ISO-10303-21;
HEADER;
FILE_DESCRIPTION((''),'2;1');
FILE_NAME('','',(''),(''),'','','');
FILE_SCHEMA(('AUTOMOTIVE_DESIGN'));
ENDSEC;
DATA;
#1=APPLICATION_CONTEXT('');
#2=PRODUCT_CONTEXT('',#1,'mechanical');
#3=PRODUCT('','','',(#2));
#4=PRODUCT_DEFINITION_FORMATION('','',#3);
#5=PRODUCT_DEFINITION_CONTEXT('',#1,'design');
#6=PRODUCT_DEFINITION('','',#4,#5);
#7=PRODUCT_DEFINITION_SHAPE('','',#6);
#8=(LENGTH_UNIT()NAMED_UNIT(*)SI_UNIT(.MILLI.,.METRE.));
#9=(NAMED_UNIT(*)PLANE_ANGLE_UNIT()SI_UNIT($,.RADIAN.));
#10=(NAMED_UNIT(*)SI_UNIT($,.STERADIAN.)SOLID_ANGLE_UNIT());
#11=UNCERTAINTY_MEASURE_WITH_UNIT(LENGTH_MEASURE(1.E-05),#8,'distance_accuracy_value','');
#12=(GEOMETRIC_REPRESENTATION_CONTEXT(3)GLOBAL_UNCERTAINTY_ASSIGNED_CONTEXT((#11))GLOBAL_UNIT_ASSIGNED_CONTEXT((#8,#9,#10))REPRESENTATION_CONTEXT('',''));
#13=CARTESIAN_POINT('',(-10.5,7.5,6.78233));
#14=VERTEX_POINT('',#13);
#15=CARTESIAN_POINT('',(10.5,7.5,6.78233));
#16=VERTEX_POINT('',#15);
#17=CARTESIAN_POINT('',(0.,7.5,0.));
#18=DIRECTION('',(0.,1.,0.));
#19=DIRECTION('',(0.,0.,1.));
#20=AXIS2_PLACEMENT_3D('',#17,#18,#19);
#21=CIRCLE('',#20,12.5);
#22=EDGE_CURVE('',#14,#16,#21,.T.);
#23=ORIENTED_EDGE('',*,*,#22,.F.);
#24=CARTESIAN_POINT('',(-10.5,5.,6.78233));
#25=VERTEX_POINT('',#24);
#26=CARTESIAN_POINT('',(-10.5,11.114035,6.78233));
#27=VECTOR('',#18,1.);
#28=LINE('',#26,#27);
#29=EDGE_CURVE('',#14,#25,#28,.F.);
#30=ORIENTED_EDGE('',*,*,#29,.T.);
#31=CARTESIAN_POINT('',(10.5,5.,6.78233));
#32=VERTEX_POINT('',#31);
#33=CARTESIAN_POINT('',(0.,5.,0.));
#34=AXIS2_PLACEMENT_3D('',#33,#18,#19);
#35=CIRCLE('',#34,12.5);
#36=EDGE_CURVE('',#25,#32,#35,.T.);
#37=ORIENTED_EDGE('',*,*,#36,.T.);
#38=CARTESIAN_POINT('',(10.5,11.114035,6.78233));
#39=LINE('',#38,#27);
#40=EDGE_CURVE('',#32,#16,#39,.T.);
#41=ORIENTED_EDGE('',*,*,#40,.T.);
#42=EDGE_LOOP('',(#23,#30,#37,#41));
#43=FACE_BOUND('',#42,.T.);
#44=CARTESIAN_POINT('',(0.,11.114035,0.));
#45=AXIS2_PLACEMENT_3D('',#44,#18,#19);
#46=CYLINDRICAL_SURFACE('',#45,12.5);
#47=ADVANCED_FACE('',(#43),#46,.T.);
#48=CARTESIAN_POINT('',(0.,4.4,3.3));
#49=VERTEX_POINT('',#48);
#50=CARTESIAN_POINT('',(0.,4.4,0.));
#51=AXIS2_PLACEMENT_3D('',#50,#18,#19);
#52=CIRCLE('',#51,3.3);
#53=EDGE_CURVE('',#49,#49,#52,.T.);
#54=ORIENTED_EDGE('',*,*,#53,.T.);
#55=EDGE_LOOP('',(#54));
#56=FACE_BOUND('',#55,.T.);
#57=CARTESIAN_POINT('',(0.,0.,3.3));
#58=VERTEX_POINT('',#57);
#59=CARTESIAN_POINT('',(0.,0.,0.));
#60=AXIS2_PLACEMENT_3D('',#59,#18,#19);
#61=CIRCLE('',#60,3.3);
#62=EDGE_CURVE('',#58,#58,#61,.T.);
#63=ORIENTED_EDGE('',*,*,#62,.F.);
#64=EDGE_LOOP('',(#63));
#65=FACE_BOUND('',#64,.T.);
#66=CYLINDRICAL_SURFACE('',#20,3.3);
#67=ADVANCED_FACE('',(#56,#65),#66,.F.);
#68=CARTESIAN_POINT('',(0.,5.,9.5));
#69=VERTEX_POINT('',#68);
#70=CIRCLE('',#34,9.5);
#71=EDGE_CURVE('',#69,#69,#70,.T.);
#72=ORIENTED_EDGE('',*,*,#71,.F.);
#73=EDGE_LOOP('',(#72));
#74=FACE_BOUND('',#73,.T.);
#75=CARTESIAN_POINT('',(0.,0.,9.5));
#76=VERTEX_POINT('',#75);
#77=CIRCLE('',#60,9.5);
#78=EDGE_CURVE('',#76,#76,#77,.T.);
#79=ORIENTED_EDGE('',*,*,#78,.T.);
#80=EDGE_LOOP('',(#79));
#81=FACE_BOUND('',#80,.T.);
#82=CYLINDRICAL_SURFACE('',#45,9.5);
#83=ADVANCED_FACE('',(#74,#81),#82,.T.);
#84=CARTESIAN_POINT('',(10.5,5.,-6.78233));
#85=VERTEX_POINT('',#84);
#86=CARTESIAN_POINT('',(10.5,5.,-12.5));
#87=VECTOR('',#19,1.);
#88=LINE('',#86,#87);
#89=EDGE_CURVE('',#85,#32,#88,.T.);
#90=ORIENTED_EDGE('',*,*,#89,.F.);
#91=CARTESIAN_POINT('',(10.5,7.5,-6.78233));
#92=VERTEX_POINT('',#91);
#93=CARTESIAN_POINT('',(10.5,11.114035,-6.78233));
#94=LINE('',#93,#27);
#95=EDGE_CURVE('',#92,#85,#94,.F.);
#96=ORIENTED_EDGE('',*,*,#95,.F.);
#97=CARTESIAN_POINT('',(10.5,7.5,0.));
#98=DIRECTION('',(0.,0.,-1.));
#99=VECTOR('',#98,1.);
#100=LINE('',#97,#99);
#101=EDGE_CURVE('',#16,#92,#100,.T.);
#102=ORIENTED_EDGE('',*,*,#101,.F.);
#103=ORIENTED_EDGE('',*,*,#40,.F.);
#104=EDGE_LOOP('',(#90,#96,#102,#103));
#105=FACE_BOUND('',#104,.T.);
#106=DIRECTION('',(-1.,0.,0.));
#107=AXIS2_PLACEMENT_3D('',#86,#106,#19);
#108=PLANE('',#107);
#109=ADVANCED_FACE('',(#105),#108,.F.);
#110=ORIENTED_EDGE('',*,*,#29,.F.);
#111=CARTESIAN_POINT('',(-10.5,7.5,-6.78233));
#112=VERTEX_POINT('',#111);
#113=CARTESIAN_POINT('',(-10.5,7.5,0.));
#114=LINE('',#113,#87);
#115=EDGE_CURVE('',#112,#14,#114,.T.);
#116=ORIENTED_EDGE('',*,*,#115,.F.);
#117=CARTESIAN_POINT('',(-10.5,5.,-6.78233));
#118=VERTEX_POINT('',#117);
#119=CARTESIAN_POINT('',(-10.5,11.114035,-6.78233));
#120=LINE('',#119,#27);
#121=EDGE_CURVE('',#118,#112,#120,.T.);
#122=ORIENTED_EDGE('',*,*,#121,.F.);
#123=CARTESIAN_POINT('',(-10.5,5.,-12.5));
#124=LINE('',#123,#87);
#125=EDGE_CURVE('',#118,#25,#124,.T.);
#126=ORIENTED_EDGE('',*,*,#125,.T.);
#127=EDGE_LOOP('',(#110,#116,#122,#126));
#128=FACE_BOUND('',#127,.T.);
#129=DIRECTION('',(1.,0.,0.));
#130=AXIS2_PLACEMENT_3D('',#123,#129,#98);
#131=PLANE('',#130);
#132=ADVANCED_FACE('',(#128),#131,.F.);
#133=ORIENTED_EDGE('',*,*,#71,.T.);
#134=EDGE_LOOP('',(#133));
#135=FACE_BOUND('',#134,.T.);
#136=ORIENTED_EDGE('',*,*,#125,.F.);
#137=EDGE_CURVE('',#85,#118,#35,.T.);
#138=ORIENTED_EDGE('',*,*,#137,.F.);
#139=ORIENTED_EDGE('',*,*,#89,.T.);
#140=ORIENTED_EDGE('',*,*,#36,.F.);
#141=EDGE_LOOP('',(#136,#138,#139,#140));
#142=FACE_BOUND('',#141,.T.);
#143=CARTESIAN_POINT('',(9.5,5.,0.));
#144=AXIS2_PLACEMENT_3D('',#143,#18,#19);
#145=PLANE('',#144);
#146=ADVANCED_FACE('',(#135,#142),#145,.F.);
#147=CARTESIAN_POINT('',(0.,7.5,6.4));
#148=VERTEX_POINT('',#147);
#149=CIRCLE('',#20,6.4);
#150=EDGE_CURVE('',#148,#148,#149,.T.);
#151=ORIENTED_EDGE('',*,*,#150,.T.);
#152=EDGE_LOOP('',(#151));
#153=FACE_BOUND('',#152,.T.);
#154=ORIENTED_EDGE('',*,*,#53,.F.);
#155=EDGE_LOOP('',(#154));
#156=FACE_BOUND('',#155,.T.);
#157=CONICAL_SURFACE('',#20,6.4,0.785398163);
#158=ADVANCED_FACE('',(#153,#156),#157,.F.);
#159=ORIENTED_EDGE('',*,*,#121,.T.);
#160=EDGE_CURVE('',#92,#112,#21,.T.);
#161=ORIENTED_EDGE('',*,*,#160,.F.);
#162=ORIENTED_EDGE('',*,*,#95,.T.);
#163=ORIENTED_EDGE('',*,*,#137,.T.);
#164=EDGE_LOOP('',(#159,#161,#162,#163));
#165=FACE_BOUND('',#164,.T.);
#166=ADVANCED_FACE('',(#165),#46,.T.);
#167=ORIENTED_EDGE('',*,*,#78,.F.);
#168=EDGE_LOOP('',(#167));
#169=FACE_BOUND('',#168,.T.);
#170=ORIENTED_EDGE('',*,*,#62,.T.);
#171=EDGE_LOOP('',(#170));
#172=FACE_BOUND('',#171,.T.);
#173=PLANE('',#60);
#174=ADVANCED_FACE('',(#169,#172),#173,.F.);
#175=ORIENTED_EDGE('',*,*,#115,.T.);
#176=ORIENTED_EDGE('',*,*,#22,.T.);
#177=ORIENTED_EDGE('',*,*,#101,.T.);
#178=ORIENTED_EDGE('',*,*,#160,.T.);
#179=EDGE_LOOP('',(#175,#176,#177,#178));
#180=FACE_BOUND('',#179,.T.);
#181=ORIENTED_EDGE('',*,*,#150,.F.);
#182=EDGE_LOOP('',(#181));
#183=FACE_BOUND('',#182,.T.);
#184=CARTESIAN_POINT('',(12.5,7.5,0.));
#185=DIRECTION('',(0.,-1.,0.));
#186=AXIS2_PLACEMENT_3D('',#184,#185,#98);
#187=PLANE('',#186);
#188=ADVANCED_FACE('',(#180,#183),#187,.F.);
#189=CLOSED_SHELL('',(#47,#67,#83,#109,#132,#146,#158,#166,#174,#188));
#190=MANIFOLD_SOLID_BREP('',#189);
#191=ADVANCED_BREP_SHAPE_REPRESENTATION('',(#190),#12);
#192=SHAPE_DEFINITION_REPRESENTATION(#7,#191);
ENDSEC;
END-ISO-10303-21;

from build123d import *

# Parameters (mm, degrees)
HOLE_WIZARD_1_D           = 6.6
HOLE_WIZARD_1_CSINK_D     = 12.8
HOLE_WIZARD_1_CSINK_ANGLE = 90
SKETCH_3_W                = 2
SKETCH_3_H                = 2.5
CUT_EXTRUDE_1_DEPTH       = 13.5
CUT_EXTRUDE_1_DEPTH_BACK  = 13.5


with BuildPart() as part:
    # 草图1 → 旋转1 (revolve)
    with BuildSketch(Plane.XY):
        Polygon((0, 0), (9.5, 0), (9.5, 5), (12.5, 5), (12.5, 7.5), (0, 7.5), align=None)
    revolve(axis=Axis((0, 11.114035088, 0), (0, -1, 0)))

    # 打孔尺寸(%根据)内六角花形半沉头螺钉的类型1 (through all)
    with Locations(Plane.ZX.offset(7.5)):
        with Locations((0, 0)):
            CounterSinkHole(HOLE_WIZARD_1_D / 2, HOLE_WIZARD_1_CSINK_D / 2, counter_sink_angle=HOLE_WIZARD_1_CSINK_ANGLE)

    # 草图3 → 切除-拉伸1 (cut, two sides)
    with BuildSketch(Plane.XY) as cut_extrude_1_sk:
        with Locations((-11.5, 6.25)):
            Rectangle(SKETCH_3_W, SKETCH_3_H)
        with Locations((11.5, 6.25)):
            Rectangle(SKETCH_3_W, SKETCH_3_H)
    extrude(amount=CUT_EXTRUDE_1_DEPTH, mode=Mode.SUBTRACT)
    extrude(cut_extrude_1_sk.sketch, amount=-CUT_EXTRUDE_1_DEPTH_BACK, mode=Mode.SUBTRACT)


solid = part.part
